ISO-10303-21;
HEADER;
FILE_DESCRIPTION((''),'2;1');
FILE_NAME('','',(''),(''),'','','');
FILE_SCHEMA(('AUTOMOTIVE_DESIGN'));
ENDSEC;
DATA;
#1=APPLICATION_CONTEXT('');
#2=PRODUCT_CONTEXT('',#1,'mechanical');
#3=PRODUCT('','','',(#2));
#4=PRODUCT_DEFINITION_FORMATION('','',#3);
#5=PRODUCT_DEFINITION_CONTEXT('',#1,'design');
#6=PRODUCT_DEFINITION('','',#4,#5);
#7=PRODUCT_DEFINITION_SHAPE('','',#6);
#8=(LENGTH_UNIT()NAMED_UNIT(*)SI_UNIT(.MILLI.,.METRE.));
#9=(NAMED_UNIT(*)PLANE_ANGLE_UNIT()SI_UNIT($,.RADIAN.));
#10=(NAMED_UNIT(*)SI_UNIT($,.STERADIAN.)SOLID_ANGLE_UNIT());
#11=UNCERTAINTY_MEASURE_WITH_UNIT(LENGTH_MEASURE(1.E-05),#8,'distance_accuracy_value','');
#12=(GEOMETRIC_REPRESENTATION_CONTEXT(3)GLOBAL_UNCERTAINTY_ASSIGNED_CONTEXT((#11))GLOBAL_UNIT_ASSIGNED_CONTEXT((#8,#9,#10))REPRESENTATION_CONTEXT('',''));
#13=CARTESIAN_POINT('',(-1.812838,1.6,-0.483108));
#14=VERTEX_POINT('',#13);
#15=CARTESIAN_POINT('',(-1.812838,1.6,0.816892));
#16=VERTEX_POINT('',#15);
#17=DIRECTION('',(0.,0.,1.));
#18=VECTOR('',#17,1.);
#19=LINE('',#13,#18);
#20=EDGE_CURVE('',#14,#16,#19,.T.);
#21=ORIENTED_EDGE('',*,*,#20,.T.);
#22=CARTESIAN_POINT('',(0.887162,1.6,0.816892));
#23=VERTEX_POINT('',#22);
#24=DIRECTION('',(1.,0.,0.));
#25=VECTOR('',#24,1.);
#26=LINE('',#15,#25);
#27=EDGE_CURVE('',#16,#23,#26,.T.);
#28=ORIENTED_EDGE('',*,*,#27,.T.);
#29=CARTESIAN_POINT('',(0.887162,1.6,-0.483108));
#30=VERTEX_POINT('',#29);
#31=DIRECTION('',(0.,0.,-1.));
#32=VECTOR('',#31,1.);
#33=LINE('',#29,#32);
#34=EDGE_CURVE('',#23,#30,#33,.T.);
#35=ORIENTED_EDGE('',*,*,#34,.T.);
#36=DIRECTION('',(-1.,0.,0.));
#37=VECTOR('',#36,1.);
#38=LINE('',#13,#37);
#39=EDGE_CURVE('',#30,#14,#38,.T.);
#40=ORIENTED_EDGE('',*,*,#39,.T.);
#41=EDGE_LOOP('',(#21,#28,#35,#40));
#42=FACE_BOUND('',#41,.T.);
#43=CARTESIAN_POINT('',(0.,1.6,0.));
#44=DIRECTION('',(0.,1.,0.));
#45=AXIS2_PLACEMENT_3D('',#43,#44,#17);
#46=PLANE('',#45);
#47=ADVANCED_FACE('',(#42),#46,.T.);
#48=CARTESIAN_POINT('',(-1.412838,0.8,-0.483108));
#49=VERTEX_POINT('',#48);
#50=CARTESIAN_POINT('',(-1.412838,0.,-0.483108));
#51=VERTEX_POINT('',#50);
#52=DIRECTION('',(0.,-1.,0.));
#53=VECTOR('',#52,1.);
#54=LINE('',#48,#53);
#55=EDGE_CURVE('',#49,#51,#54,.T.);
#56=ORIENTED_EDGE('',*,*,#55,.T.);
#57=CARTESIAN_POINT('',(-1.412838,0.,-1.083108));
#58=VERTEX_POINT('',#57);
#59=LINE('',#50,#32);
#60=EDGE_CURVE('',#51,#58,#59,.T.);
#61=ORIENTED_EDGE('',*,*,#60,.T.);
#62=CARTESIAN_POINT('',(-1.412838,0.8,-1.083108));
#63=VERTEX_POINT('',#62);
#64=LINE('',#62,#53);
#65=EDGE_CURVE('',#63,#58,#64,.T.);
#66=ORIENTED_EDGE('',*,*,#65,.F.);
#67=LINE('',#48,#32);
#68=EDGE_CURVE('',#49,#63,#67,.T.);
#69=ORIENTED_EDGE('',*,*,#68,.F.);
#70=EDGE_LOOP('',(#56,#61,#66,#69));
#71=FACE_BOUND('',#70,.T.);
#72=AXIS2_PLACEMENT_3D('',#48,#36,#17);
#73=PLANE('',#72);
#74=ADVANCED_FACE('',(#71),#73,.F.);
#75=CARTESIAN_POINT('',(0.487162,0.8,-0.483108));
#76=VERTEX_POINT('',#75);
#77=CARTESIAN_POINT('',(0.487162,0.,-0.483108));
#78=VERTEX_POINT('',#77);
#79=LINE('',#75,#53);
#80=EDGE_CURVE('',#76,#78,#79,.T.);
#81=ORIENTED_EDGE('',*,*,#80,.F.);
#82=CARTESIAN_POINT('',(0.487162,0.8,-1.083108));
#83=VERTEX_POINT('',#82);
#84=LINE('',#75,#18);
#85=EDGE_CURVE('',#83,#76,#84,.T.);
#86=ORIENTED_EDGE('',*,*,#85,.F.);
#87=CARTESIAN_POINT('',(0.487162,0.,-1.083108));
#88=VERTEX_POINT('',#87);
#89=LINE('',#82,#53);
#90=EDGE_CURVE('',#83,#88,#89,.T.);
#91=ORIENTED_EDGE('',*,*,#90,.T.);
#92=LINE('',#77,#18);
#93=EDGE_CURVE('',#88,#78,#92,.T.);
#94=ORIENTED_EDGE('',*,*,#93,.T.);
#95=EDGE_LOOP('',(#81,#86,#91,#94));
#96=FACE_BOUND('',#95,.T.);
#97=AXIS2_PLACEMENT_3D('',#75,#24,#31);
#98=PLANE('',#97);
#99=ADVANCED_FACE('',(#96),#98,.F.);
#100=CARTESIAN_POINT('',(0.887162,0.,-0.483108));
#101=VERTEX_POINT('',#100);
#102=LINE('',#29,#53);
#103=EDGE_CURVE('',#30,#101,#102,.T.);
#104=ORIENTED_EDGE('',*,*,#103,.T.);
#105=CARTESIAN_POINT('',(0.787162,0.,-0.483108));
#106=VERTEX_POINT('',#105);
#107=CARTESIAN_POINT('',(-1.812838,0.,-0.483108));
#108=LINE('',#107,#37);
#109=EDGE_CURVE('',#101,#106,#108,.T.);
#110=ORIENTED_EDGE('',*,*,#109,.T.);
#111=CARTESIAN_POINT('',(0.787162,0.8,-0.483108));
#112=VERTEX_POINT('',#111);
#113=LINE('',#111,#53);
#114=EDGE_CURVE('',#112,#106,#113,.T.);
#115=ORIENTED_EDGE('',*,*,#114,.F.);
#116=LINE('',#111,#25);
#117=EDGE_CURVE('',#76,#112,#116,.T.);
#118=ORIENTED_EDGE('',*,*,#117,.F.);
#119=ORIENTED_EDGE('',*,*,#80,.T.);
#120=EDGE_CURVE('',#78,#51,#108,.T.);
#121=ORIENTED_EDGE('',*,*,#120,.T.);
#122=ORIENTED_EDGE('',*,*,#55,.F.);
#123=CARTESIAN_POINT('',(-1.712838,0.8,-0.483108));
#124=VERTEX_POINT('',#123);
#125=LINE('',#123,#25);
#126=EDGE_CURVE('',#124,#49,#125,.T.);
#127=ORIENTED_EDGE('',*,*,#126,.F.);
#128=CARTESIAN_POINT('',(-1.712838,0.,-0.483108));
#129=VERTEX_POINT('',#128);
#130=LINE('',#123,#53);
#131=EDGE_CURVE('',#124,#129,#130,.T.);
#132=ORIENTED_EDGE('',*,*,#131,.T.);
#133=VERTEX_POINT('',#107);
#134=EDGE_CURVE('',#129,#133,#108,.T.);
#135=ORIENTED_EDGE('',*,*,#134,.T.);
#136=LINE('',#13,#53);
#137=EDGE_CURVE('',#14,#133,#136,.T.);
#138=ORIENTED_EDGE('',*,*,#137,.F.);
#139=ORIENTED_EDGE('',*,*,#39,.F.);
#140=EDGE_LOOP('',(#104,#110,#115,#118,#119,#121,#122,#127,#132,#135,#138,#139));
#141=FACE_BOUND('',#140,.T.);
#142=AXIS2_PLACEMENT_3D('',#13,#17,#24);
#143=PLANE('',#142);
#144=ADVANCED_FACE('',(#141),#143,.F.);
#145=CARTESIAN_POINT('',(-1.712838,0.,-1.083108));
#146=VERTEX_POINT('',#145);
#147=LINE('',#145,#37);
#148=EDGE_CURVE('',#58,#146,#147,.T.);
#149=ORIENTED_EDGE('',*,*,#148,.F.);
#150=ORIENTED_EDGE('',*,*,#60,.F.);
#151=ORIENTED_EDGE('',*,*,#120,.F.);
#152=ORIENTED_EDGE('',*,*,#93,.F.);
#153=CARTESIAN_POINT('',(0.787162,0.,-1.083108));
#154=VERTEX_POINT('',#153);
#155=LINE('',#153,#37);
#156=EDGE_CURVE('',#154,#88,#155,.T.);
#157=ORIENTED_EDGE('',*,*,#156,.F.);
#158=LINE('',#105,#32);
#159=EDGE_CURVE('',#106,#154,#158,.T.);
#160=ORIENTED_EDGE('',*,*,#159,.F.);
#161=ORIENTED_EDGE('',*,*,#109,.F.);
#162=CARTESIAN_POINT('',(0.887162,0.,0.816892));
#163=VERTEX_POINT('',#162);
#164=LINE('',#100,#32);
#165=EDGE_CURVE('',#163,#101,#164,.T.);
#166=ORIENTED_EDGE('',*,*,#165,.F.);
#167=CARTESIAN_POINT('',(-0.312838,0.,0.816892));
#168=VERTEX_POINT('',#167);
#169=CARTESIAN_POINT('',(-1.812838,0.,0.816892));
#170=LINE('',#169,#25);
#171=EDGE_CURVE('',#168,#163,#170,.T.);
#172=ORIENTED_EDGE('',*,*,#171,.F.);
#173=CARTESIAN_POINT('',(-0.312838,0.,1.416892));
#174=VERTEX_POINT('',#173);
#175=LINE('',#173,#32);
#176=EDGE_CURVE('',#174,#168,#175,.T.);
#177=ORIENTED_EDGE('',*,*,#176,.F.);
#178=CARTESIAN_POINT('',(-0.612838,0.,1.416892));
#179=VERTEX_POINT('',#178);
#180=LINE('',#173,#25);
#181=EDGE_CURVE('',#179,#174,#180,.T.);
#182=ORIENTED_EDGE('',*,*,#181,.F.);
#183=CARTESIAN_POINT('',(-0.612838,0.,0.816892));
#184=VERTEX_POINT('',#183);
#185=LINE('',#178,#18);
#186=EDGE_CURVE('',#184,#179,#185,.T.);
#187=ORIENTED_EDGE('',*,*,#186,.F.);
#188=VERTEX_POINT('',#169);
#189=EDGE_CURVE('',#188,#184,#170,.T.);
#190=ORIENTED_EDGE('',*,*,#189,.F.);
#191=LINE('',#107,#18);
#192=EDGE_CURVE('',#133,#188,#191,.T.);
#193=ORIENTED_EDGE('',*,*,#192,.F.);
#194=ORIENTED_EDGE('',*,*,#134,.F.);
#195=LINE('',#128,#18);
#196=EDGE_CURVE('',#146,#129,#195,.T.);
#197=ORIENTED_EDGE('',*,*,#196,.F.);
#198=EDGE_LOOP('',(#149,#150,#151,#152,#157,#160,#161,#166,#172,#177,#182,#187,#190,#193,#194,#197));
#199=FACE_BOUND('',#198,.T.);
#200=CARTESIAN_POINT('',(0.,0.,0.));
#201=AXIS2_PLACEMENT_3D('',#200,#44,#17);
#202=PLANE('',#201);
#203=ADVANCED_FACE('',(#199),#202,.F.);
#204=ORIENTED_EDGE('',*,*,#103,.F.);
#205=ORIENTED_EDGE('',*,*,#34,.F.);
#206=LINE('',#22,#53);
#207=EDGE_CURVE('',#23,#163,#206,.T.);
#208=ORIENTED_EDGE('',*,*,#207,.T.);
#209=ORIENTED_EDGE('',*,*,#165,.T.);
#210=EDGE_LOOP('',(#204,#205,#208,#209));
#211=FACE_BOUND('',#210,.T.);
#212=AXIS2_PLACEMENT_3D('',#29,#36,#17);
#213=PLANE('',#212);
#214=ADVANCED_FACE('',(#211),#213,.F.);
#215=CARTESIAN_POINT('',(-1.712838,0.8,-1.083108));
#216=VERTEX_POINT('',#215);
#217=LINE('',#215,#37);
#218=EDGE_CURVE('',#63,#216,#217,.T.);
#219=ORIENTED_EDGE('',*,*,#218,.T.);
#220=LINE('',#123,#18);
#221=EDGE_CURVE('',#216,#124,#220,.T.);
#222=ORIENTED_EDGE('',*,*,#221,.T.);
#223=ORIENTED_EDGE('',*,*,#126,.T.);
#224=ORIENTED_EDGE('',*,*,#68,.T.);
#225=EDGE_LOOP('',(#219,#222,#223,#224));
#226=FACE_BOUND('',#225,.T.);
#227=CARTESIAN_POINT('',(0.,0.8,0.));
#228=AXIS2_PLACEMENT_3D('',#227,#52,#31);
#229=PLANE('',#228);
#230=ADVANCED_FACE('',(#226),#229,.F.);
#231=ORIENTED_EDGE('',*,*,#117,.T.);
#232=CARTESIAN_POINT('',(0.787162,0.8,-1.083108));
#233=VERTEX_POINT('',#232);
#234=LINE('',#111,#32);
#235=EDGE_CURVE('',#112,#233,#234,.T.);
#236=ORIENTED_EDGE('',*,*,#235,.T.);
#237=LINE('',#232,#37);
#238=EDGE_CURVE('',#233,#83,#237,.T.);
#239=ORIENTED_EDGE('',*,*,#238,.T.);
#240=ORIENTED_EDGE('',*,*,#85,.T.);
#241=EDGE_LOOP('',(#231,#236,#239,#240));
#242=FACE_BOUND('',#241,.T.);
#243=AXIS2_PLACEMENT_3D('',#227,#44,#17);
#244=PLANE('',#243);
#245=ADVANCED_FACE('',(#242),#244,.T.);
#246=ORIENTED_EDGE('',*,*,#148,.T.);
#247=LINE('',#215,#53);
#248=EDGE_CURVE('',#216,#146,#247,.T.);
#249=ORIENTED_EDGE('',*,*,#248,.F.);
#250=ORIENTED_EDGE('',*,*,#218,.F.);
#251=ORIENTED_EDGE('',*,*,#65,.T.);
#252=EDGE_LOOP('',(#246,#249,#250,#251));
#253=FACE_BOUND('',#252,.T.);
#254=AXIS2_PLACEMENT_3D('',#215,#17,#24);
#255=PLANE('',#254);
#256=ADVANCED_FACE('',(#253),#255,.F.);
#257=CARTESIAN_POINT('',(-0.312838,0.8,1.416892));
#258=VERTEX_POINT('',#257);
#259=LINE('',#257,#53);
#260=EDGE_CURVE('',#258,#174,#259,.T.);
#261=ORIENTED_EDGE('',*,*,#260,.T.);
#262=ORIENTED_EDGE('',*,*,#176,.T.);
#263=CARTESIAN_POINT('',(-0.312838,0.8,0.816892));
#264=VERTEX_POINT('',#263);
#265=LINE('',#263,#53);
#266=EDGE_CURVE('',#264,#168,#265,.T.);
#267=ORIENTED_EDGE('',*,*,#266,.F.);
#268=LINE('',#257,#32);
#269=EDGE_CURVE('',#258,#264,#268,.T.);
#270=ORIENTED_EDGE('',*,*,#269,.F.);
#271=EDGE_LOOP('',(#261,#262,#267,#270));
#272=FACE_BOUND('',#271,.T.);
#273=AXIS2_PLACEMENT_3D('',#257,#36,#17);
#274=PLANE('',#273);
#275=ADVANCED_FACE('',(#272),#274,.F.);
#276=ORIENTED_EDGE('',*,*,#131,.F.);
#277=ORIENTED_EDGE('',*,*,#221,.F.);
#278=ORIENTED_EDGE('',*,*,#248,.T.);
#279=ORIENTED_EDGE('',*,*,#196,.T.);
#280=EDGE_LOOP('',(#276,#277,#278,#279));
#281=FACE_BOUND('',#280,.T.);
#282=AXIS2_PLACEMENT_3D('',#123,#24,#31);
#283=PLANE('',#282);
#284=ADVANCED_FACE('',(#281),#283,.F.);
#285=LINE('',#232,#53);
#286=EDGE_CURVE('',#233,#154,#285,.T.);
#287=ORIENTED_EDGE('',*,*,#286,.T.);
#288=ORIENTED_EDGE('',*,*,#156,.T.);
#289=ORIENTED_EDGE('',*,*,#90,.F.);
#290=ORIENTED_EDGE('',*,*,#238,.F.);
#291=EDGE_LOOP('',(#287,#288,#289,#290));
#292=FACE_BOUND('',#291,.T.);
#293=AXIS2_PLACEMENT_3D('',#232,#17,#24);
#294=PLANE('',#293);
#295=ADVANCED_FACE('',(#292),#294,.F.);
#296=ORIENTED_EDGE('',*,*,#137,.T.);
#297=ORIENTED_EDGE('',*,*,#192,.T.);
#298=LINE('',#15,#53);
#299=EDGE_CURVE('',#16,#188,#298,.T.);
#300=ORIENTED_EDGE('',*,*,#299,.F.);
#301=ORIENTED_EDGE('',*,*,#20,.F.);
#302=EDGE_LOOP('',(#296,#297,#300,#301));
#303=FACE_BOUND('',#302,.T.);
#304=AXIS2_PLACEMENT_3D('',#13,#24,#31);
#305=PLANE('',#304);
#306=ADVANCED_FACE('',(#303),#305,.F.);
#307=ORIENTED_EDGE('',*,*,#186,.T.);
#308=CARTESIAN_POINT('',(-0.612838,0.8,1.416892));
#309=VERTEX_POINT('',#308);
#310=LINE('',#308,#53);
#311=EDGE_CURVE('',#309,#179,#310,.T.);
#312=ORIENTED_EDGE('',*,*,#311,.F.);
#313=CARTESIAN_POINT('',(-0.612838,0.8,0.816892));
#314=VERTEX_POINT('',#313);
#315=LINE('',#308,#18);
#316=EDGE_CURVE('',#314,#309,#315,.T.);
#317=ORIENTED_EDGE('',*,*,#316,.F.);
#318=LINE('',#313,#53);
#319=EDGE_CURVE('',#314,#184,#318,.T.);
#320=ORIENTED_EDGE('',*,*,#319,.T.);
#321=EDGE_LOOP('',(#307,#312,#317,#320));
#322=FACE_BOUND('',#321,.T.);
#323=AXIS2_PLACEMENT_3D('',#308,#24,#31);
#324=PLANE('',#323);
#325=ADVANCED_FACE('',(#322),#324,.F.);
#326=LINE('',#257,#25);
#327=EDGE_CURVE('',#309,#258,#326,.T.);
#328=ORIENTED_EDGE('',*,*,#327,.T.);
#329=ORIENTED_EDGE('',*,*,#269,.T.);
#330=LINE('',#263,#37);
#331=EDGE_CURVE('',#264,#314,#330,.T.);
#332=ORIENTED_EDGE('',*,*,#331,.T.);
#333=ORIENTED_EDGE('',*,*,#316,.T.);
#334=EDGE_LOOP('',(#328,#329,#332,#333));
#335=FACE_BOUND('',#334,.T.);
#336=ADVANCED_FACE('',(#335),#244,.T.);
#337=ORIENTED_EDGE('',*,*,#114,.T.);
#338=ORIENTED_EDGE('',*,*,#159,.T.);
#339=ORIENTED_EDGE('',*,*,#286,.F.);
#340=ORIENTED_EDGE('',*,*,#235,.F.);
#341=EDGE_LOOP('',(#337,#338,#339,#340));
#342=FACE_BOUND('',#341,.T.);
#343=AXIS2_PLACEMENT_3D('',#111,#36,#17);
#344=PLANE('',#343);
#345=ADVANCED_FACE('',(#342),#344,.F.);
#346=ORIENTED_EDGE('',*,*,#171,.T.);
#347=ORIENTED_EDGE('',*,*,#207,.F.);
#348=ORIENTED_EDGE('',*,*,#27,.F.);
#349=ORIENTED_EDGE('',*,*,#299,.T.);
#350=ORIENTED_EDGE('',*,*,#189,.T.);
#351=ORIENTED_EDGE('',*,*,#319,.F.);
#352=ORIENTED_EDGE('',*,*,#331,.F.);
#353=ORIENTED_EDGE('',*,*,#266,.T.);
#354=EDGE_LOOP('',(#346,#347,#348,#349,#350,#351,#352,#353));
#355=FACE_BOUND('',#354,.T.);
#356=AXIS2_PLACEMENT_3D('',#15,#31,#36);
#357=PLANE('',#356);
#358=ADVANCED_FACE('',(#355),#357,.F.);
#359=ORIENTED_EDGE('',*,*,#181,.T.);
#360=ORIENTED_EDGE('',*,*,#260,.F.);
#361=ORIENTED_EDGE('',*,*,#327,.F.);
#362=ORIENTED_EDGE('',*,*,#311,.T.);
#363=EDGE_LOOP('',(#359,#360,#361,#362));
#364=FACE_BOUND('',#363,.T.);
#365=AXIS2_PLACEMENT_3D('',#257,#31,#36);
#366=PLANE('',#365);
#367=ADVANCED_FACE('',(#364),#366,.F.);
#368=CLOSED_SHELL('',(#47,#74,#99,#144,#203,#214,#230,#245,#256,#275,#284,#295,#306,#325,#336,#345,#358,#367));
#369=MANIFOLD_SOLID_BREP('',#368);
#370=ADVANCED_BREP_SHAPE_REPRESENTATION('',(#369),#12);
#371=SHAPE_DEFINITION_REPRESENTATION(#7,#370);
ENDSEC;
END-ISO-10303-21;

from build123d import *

# Parameters (mm, degrees)
SKETCH_1_W      = 2.7
SKETCH_1_H      = 1.3
EXTRUDE_1_DEPTH = 1.6
SKETCH_2_W      = 0.3
SKETCH_2_H      = 0.6
EXTRUDE_2_DEPTH = 0.8


with BuildPart() as part:
    # Эскиз1 → Бобышка-Вытянуть1 (new body)
    with BuildSketch(Plane(origin=(0, 0, 0), x_dir=(1, 0, 0), z_dir=(0, 1, 0))):
        with Locations((-0.462837838, -0.166891892)):
            Rectangle(SKETCH_1_W, SKETCH_1_H)
    extrude(amount=EXTRUDE_1_DEPTH)

    # Эскиз2 → Бобышка-Вытянуть2 (add)
    with BuildSketch(Plane(origin=(0, 0, 0), x_dir=(1, 0, 0), z_dir=(0, 1, 0))):
        with Locations((-1.562837838, 0.783108108)):
            Rectangle(SKETCH_2_W, SKETCH_2_H)
        with Locations((0.637162162, 0.783108108)):
            Rectangle(SKETCH_2_W, SKETCH_2_H)
        with Locations((-0.462837838, -1.116891892)):
            Rectangle(SKETCH_2_W, SKETCH_2_H)
    extrude(amount=EXTRUDE_2_DEPTH)


solid = part.part
